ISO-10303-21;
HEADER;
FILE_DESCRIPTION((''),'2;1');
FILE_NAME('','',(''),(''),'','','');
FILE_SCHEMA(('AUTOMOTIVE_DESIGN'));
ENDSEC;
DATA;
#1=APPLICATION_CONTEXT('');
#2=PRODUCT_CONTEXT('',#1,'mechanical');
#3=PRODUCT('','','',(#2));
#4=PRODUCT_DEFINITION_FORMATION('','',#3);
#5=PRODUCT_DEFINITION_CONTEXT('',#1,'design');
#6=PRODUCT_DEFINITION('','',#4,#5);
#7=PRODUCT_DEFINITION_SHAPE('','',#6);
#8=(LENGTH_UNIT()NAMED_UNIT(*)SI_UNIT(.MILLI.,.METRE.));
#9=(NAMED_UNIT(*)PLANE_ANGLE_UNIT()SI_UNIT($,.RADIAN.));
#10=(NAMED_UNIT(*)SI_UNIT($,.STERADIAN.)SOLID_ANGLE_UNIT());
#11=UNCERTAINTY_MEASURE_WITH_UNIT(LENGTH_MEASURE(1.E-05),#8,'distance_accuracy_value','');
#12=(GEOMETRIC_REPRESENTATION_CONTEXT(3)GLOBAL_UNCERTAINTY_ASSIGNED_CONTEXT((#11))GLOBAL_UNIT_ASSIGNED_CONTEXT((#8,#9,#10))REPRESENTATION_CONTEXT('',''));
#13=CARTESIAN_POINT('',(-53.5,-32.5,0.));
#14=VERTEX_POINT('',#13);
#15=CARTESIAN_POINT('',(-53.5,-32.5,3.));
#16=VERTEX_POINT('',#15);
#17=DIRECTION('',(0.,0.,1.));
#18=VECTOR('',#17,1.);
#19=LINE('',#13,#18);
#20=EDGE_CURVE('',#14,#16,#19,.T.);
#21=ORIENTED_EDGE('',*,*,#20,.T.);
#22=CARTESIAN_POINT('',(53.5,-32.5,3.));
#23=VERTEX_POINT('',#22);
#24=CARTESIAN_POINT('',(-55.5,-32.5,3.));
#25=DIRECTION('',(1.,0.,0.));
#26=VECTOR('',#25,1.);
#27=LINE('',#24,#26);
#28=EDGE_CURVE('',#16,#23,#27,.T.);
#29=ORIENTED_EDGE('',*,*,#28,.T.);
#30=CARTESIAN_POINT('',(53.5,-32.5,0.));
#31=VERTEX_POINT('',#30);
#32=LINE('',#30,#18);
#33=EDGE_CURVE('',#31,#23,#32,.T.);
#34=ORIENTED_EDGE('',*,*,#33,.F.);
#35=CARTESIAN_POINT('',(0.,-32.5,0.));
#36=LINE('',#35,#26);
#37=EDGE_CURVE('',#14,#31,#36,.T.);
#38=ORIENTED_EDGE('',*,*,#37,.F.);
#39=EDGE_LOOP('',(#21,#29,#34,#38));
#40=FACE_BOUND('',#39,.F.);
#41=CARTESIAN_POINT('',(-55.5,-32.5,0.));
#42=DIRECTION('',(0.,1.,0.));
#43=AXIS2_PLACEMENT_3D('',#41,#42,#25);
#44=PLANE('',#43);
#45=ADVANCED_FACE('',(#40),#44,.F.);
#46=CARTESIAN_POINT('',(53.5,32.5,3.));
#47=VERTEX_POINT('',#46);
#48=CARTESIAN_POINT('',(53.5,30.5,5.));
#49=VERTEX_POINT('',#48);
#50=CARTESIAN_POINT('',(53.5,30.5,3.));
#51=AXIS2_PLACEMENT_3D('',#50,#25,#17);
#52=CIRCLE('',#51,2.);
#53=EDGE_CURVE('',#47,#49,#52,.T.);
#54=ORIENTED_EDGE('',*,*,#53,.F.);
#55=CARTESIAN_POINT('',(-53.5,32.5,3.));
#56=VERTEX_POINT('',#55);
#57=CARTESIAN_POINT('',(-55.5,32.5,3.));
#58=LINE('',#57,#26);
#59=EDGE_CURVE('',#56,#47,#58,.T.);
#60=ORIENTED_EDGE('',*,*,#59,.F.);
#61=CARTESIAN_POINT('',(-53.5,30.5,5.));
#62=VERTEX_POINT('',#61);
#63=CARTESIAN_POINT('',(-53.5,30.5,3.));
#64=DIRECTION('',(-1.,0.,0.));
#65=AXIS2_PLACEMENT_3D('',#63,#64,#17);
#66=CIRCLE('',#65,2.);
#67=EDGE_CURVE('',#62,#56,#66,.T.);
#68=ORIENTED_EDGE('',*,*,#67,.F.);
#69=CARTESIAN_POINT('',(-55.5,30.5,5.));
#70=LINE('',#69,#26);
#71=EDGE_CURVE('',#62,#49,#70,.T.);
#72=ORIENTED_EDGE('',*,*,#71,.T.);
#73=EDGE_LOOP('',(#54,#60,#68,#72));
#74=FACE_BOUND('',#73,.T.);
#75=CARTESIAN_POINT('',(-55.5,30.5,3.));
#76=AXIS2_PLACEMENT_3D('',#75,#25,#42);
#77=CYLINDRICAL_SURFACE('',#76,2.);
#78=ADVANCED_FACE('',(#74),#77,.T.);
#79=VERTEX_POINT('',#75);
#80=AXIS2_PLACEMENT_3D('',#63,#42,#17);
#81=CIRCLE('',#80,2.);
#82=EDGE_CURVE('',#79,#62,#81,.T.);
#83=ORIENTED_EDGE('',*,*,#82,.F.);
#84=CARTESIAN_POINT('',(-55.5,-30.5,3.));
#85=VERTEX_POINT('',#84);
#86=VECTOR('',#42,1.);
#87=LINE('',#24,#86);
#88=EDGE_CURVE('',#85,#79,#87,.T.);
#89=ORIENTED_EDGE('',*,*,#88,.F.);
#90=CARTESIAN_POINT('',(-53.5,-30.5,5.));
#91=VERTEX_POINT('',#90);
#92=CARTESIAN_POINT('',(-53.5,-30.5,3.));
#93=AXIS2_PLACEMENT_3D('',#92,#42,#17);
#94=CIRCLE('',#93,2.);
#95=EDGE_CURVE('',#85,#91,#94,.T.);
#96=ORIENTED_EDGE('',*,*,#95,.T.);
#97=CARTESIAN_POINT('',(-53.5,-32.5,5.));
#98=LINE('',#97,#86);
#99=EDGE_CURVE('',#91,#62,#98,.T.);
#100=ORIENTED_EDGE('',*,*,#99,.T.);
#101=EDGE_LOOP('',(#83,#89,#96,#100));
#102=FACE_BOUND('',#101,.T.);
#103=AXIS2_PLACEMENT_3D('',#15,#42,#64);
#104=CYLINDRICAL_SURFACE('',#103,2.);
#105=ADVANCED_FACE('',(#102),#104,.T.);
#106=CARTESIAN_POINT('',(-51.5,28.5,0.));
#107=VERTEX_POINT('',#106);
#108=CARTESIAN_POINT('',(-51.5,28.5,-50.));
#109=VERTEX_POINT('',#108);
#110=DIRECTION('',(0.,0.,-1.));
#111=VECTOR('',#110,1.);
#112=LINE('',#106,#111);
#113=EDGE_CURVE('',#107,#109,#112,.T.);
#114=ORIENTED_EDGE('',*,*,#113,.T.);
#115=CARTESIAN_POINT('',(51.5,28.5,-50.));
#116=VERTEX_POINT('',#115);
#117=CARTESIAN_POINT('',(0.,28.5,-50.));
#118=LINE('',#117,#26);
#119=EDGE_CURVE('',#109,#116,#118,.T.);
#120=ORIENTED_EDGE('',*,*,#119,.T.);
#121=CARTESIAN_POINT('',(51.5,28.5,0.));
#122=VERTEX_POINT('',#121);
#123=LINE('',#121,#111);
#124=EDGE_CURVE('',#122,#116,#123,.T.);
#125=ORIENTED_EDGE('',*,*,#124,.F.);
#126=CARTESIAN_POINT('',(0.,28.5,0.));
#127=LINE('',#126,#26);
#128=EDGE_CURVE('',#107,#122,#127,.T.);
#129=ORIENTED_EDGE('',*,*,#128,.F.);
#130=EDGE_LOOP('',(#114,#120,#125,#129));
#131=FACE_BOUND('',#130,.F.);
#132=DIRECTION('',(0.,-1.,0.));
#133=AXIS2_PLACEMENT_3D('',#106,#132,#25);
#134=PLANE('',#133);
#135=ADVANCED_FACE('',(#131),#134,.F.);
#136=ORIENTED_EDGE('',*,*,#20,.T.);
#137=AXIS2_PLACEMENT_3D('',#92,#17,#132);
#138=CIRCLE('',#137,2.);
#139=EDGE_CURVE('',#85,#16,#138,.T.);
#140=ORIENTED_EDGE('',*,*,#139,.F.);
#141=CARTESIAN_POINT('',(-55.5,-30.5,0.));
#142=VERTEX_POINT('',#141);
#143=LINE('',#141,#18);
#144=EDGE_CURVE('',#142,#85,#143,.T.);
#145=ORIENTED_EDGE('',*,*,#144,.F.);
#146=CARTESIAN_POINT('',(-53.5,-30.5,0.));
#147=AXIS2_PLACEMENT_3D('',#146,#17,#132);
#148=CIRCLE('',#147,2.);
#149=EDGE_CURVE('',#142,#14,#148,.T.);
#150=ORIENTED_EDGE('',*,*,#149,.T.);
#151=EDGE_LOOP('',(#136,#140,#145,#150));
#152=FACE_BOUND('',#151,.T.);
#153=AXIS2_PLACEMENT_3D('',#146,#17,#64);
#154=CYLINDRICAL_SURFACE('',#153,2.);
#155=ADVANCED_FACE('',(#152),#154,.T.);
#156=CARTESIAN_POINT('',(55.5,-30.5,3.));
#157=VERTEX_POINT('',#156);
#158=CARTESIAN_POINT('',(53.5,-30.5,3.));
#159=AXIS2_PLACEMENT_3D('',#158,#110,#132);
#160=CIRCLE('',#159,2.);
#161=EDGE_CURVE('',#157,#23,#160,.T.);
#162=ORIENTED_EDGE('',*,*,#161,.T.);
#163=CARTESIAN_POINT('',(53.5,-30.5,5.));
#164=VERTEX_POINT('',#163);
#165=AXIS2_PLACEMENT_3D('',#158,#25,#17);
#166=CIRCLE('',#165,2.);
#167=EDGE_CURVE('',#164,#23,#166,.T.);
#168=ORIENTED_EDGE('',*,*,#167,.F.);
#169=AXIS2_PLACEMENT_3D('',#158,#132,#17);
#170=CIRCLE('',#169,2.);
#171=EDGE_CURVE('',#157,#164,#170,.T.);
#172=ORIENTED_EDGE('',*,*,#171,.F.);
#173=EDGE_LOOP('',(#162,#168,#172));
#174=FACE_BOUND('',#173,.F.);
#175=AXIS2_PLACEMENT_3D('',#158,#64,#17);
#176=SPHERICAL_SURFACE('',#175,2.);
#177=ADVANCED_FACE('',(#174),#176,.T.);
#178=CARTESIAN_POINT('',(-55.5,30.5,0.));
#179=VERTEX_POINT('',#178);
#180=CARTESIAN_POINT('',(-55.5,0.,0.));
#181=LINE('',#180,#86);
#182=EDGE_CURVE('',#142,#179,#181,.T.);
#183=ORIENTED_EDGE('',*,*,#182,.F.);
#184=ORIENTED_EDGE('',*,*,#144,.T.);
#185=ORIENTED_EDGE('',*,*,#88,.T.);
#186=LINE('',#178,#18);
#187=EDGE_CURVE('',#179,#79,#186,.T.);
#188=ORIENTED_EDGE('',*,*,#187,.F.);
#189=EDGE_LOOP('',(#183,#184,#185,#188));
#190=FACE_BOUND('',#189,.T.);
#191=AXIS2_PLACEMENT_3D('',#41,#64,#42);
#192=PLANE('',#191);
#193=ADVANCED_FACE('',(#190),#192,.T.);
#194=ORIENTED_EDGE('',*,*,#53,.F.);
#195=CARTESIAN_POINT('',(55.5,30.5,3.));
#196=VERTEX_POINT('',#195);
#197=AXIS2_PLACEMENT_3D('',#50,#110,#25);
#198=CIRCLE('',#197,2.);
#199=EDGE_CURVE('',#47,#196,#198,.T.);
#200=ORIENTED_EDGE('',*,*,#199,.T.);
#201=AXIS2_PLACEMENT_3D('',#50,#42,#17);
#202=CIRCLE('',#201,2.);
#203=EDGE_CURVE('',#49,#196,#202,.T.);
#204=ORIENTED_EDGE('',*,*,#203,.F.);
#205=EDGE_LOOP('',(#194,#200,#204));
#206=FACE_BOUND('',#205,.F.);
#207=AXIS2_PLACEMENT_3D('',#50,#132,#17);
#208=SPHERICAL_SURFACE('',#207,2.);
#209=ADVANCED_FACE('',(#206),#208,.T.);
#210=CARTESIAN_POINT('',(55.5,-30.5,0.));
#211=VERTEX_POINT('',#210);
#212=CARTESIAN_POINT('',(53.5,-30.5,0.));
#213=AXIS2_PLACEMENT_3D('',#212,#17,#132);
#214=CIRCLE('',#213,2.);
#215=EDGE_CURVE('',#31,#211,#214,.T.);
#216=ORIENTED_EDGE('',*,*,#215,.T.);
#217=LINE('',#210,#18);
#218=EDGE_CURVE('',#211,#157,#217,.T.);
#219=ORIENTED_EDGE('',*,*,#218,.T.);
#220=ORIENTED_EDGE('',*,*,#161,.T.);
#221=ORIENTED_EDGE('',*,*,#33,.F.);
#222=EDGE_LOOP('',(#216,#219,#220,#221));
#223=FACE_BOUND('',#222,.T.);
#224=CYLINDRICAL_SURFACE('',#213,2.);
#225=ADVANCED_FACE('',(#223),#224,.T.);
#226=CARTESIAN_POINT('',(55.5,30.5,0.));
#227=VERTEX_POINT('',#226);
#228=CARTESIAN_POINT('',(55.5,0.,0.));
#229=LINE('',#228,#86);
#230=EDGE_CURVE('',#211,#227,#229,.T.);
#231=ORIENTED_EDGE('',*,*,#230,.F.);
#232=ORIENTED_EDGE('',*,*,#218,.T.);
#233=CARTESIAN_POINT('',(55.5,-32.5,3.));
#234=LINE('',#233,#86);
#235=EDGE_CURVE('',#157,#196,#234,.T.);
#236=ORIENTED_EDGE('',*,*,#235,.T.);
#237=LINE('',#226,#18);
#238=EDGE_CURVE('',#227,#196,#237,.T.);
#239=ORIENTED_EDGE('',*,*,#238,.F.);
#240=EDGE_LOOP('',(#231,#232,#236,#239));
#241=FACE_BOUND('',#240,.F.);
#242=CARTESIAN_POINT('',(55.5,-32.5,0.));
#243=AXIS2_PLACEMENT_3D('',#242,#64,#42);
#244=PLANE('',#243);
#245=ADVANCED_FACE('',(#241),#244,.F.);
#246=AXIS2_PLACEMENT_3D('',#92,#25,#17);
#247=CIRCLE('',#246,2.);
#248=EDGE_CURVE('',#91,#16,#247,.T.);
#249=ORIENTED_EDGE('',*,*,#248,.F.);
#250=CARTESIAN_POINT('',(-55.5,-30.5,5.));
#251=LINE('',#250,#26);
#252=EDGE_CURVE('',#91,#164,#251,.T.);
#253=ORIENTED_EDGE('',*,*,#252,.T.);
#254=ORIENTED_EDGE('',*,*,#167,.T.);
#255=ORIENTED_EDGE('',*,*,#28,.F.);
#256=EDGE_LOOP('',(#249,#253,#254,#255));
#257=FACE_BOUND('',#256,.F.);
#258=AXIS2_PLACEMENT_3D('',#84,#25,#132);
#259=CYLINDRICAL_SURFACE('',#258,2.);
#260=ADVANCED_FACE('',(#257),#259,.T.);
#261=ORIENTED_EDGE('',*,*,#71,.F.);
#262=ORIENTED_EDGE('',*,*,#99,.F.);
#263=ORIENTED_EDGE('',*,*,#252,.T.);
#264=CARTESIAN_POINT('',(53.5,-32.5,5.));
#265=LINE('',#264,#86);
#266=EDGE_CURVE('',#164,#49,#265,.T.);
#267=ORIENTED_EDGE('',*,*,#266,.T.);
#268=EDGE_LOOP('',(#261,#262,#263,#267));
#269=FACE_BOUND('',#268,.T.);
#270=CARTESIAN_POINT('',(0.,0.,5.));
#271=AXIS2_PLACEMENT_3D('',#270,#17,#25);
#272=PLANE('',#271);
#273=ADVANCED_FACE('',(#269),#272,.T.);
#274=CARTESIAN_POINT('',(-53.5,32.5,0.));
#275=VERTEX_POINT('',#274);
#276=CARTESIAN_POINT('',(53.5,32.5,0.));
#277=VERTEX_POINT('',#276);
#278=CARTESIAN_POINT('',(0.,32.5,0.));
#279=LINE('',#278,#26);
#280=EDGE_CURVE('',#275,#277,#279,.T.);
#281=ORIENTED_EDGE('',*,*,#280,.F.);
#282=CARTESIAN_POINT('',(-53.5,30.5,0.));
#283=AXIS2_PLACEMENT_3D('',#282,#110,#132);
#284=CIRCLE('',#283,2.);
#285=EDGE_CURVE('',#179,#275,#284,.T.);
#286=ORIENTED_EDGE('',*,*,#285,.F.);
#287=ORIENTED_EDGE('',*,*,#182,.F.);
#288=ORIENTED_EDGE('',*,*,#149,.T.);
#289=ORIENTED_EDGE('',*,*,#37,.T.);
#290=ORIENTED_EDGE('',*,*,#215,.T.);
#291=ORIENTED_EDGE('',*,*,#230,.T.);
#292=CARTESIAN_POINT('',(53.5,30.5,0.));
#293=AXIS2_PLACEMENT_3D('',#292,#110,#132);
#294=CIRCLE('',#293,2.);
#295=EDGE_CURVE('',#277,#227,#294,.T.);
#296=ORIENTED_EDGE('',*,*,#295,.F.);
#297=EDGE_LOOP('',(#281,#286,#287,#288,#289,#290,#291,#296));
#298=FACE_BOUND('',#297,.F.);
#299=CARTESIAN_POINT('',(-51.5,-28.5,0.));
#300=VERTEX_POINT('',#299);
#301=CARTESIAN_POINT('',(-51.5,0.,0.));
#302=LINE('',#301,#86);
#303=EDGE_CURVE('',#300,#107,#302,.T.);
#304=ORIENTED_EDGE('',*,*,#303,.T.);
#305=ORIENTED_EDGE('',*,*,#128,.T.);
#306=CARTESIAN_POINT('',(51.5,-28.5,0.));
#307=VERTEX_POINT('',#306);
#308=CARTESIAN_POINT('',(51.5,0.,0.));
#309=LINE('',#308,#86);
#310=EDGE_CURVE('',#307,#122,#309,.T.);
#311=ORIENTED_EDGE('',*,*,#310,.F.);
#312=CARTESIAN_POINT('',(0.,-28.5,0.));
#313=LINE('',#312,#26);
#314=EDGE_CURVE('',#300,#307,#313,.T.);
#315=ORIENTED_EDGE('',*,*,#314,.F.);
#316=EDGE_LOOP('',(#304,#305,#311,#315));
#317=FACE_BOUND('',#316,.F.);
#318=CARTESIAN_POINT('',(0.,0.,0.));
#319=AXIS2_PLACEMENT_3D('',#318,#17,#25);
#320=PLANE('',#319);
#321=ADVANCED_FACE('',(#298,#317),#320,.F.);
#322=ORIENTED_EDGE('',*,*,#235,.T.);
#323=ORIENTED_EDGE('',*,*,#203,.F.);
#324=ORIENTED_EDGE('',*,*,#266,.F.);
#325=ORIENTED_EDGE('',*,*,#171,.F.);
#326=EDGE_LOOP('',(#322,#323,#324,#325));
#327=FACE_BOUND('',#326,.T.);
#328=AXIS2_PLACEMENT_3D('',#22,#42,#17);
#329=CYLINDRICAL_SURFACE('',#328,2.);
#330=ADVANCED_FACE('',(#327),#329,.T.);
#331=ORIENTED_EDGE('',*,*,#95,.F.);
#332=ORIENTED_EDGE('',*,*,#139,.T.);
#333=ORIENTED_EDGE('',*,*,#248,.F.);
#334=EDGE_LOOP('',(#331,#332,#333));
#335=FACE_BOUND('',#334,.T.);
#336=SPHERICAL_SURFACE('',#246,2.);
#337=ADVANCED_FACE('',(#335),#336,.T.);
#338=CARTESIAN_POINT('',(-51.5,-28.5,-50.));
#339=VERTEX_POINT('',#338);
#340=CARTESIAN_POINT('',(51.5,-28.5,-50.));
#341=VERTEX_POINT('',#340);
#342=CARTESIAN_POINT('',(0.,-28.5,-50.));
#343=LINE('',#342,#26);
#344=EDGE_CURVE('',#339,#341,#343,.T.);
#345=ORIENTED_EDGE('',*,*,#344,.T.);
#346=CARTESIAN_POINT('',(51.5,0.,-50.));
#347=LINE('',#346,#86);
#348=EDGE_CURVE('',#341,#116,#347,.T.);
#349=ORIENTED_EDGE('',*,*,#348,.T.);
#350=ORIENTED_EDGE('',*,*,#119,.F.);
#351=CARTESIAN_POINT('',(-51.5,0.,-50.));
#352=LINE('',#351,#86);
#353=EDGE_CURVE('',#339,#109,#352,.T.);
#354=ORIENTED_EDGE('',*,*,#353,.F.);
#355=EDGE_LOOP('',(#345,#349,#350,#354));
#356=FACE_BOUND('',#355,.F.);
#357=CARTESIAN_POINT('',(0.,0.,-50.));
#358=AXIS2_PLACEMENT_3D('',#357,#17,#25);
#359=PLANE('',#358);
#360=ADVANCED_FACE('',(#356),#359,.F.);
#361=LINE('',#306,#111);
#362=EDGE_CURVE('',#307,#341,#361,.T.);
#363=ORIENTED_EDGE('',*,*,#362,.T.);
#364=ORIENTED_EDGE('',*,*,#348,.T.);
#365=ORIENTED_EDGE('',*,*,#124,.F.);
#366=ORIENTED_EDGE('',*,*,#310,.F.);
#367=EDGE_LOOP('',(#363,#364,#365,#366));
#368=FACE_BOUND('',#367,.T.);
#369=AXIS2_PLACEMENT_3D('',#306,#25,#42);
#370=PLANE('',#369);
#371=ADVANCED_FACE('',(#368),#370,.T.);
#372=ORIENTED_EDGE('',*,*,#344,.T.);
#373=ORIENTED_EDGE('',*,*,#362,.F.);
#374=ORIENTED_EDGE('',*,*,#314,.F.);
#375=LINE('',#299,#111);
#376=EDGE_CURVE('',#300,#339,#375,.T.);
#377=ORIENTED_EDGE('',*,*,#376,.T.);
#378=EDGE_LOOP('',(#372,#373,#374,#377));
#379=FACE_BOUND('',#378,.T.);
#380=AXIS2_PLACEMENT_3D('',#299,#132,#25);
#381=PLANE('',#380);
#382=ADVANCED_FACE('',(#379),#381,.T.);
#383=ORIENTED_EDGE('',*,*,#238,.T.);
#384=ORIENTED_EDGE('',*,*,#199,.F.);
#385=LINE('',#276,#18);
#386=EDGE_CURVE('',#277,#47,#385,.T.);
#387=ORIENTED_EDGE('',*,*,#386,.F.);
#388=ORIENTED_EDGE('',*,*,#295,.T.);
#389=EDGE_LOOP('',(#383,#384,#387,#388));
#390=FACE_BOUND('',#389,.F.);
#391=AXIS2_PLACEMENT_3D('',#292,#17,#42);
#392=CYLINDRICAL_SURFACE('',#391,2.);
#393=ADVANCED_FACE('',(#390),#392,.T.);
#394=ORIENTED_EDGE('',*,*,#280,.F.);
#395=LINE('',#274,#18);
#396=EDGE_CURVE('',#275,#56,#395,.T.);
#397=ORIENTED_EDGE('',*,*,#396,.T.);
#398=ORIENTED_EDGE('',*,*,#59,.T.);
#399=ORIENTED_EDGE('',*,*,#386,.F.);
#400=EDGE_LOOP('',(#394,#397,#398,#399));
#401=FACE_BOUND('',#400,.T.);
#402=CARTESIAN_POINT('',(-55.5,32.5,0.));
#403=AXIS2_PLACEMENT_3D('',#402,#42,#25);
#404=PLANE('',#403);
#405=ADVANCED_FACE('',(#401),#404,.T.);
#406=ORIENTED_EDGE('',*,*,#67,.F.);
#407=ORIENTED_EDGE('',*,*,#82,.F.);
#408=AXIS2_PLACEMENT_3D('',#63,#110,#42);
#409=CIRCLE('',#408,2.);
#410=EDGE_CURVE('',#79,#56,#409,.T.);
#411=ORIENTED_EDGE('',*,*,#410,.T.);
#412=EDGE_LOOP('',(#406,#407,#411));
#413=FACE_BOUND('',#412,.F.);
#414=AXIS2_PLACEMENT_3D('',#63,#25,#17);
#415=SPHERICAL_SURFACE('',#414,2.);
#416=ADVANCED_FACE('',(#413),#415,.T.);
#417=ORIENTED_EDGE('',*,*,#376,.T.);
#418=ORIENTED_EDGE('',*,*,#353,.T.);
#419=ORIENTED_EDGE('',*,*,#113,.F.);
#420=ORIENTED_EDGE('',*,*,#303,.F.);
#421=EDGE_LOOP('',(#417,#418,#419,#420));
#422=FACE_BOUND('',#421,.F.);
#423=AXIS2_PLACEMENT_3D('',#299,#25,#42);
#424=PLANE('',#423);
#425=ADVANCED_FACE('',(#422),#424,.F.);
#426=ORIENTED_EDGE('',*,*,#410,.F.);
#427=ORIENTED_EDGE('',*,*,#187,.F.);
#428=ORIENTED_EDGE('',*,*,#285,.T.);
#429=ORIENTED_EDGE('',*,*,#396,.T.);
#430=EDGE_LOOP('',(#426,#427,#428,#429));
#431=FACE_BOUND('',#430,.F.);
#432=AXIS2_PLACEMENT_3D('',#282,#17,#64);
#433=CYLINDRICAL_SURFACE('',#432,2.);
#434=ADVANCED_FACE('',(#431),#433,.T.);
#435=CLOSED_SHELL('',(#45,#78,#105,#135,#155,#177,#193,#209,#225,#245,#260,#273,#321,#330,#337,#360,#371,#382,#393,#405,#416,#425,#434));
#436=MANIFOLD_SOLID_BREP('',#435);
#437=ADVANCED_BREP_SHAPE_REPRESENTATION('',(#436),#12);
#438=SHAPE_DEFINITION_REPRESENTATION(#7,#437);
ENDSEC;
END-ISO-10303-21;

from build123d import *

# Parameters (mm, degrees)
F0_W     = 111
F0_H     = 65
F1_DEPTH = 5
F2_W     = 103
F2_H     = 57
F3_DEPTH = 50
F4_R     = 2


with BuildPart() as f1:
    # F0 (on Top) → F1 (new body)
    with BuildSketch(Plane.XY):
        Rectangle(F0_W, F0_H)
    extrude(amount=F1_DEPTH)

    # F2 (on Top) → F3 (join)
    with BuildSketch(Plane.XY):
        Rectangle(F2_W, F2_H)
    extrude(amount=-F3_DEPTH)

    # F4
    f4_edges = [f1.edges().sort_by_distance(p)[0] for p in [
        (0, -32.5, 5),
        (55.5, 0, 5),
        (0, 32.5, 5),
        (-55.5, 0, 5),
        (-55.5, 32.5, 2.5),
        (55.5, 32.5, 2.5),
        (55.5, -32.5, 2.5),
        (-55.5, -32.5, 2.5),
    ]]
    fillet(f4_edges, radius=F4_R)


solid = f1.part
